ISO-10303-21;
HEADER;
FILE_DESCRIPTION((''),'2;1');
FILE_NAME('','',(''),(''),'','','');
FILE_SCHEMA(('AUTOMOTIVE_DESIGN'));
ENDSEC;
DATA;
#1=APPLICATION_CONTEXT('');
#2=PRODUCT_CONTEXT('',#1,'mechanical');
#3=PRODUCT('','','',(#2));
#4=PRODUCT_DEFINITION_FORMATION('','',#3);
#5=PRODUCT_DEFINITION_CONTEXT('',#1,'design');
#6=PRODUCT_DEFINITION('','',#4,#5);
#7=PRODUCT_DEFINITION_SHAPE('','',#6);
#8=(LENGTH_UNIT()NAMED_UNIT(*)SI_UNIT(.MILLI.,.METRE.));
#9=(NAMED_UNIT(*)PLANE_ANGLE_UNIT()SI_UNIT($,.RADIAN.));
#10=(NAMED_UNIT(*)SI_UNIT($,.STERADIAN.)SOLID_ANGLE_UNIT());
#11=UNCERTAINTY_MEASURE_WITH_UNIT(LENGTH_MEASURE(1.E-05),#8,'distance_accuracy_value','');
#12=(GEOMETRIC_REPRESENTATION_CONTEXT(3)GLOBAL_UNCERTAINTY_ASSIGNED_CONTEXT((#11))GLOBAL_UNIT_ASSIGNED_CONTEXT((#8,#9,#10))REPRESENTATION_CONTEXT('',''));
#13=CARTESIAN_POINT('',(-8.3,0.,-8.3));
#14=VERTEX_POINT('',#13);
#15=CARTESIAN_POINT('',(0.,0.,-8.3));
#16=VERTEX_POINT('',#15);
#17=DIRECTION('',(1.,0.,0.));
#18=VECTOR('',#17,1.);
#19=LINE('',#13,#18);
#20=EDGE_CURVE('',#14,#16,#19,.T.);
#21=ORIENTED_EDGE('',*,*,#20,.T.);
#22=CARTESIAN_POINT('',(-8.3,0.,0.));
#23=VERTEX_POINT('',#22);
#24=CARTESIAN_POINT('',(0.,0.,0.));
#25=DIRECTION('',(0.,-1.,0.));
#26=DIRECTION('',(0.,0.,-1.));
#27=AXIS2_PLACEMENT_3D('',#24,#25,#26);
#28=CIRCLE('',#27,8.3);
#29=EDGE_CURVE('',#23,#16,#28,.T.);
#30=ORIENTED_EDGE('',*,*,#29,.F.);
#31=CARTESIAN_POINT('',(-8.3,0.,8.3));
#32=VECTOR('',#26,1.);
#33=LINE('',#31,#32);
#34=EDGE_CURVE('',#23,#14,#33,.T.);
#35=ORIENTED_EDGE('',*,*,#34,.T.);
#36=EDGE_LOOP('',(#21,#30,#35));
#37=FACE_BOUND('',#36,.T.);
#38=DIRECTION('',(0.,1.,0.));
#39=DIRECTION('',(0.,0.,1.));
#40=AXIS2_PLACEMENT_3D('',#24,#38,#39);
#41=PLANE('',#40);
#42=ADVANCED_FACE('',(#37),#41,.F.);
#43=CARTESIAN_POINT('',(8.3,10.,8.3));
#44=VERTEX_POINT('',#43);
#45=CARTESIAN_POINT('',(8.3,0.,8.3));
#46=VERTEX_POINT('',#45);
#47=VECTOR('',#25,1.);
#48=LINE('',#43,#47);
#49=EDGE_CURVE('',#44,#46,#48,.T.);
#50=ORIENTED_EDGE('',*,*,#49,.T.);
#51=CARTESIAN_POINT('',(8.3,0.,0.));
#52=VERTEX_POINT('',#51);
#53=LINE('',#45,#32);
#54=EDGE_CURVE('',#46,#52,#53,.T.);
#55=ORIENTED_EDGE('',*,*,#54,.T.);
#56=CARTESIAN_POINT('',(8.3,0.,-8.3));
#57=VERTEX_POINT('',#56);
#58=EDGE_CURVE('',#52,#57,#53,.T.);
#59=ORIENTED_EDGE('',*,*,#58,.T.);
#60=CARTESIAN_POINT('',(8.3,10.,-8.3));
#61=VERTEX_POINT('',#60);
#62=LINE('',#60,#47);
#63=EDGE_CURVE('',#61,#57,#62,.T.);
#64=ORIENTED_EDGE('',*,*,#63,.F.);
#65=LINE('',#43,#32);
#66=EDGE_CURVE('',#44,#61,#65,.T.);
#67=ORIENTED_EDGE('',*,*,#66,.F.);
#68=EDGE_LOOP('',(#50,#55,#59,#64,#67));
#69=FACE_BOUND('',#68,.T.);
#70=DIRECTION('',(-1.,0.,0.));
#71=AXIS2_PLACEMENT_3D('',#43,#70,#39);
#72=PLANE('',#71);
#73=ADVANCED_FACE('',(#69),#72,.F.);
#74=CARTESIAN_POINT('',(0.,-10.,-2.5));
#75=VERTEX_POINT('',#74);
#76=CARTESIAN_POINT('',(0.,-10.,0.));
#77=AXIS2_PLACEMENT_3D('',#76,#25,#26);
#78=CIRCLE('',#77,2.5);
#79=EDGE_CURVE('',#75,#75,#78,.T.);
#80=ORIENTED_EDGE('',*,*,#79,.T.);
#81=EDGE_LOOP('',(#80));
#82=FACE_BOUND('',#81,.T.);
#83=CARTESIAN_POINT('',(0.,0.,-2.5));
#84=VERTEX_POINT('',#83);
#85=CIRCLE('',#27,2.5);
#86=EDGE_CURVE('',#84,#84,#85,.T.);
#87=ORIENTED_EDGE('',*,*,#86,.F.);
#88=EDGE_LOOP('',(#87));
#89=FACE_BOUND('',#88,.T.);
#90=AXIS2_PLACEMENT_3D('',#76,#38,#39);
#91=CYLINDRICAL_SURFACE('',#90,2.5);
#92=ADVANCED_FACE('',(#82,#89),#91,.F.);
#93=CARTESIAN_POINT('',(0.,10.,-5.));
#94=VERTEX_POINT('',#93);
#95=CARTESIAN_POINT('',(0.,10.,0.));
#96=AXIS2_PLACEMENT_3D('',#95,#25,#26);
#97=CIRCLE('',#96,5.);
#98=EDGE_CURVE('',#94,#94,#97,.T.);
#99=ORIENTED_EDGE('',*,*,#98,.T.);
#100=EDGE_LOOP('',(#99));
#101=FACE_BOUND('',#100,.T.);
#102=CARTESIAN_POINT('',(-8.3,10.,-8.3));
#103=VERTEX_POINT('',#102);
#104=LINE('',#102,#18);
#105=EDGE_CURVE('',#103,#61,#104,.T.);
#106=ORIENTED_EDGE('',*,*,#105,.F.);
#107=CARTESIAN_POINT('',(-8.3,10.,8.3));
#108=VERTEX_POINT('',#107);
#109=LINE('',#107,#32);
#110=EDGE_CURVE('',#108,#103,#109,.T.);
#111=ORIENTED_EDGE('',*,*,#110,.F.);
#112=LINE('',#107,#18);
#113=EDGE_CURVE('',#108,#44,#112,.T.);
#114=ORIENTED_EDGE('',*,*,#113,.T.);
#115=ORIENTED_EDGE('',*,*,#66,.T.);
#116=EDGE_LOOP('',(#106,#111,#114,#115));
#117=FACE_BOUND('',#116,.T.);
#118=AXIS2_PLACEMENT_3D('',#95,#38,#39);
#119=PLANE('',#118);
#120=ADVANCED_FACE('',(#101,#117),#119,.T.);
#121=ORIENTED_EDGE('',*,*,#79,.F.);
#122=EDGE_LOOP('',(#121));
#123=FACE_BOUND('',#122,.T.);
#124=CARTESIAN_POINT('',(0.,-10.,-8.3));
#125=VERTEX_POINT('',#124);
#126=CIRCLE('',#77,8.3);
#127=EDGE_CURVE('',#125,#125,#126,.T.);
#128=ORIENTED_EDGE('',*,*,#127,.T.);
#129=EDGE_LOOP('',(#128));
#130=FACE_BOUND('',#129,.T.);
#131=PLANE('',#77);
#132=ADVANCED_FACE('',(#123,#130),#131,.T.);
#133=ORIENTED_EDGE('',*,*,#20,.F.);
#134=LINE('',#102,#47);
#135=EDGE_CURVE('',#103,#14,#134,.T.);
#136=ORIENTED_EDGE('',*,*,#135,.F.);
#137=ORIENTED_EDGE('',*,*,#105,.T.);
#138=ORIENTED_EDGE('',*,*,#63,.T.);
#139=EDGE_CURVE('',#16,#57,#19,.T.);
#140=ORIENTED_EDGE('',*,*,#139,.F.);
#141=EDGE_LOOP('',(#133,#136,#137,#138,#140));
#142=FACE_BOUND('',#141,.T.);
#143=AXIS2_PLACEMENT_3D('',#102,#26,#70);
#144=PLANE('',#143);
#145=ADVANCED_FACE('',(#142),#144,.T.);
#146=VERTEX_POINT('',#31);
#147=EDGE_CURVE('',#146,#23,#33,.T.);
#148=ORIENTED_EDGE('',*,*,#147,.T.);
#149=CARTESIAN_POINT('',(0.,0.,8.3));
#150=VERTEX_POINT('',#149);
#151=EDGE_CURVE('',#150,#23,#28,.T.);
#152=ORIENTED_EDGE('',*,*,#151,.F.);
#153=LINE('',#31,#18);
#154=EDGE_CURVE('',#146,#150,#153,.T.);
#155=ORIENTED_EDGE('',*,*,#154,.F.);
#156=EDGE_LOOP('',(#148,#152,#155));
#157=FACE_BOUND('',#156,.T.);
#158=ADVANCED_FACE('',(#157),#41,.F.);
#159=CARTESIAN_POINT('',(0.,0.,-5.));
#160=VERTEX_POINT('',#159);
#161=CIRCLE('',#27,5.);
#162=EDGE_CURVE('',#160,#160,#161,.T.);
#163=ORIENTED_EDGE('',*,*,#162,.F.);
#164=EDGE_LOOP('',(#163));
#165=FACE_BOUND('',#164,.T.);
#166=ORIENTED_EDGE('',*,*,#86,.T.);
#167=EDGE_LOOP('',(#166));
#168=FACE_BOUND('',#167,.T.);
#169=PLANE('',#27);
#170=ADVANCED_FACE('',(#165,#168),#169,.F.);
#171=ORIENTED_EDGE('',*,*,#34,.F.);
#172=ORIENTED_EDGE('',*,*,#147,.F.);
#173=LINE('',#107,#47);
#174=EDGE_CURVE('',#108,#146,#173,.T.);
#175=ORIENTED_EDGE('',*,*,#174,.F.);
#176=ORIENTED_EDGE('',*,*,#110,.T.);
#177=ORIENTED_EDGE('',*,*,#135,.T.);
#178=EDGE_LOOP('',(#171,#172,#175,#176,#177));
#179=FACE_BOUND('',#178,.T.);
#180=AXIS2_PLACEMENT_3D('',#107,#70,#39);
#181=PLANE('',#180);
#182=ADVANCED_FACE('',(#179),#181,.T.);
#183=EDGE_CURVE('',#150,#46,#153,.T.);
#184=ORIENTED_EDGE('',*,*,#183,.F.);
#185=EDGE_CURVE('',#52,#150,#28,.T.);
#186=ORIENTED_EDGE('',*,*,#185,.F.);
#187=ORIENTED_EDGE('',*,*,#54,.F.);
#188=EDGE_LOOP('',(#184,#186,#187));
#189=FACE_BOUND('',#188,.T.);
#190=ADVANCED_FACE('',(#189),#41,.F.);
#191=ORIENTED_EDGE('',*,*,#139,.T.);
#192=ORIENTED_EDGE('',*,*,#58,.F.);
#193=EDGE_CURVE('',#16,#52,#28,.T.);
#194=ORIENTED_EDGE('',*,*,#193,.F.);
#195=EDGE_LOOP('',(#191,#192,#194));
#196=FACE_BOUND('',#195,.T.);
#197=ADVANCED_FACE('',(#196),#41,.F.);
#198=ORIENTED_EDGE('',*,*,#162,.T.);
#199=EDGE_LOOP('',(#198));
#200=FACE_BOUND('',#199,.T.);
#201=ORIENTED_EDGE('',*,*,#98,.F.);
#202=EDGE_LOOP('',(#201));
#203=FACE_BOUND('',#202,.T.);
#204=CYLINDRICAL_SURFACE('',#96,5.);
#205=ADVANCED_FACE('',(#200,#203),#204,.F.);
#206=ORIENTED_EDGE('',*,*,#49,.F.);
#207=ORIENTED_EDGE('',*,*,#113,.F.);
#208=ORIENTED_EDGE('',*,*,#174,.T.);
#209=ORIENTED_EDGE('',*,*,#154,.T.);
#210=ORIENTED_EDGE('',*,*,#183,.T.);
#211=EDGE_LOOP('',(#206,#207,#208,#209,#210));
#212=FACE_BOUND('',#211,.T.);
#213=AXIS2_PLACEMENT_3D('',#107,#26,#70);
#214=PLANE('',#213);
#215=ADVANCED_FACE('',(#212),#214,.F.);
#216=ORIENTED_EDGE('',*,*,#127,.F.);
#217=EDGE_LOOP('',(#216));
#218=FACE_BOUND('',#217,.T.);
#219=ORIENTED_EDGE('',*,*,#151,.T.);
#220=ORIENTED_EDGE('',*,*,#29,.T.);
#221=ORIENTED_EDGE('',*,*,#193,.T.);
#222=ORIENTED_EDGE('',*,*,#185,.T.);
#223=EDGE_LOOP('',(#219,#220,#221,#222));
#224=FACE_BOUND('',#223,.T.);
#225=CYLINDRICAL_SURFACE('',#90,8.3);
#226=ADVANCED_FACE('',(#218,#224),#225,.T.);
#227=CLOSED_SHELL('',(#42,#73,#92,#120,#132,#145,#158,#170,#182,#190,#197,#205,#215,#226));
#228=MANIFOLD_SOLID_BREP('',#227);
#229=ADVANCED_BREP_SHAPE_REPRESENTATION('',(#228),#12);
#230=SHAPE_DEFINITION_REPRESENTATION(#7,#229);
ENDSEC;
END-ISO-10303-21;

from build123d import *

# Parameters (mm, degrees)
SKETCH1_W           = 16.6
SKETCH1_H           = 16.6
BOSS_EXTRUDE1_DEPTH = 10
SKETCH3_R           = 5
CUT_EXTRUDE1_DEPTH  = 10
SKETCH4_R           = 8.3
SKETCH4_R_2         = 2.5
BOSS_EXTRUDE2_DEPTH = 10


with BuildPart() as part:
    # Sketch1 → Boss-Extrude1 (new body)
    with BuildSketch(Plane(origin=(0, 0, 0), x_dir=(1, 0, 0), z_dir=(0, 1, 0))):
        Rectangle(SKETCH1_W, SKETCH1_H)
    extrude(amount=BOSS_EXTRUDE1_DEPTH)

    # Sketch3 → Cut-Extrude1 (cut)
    with BuildSketch(Plane.XZ):
        with Locations(Location((0, 0, 0), (0, 0, 270))):
            Circle(SKETCH3_R)
    extrude(amount=-CUT_EXTRUDE1_DEPTH, mode=Mode.SUBTRACT)

    # Sketch4 → Boss-Extrude2 (add)
    with BuildSketch(Plane.XZ):
        with Locations(Location((0, 0, 0), (0, 0, 270))):
            Circle(SKETCH4_R)
        with Locations(Location((0, 0, 0), (0, 0, 270))):
            Circle(SKETCH4_R_2, mode=Mode.SUBTRACT)
    extrude(amount=BOSS_EXTRUDE2_DEPTH)


solid = part.part
